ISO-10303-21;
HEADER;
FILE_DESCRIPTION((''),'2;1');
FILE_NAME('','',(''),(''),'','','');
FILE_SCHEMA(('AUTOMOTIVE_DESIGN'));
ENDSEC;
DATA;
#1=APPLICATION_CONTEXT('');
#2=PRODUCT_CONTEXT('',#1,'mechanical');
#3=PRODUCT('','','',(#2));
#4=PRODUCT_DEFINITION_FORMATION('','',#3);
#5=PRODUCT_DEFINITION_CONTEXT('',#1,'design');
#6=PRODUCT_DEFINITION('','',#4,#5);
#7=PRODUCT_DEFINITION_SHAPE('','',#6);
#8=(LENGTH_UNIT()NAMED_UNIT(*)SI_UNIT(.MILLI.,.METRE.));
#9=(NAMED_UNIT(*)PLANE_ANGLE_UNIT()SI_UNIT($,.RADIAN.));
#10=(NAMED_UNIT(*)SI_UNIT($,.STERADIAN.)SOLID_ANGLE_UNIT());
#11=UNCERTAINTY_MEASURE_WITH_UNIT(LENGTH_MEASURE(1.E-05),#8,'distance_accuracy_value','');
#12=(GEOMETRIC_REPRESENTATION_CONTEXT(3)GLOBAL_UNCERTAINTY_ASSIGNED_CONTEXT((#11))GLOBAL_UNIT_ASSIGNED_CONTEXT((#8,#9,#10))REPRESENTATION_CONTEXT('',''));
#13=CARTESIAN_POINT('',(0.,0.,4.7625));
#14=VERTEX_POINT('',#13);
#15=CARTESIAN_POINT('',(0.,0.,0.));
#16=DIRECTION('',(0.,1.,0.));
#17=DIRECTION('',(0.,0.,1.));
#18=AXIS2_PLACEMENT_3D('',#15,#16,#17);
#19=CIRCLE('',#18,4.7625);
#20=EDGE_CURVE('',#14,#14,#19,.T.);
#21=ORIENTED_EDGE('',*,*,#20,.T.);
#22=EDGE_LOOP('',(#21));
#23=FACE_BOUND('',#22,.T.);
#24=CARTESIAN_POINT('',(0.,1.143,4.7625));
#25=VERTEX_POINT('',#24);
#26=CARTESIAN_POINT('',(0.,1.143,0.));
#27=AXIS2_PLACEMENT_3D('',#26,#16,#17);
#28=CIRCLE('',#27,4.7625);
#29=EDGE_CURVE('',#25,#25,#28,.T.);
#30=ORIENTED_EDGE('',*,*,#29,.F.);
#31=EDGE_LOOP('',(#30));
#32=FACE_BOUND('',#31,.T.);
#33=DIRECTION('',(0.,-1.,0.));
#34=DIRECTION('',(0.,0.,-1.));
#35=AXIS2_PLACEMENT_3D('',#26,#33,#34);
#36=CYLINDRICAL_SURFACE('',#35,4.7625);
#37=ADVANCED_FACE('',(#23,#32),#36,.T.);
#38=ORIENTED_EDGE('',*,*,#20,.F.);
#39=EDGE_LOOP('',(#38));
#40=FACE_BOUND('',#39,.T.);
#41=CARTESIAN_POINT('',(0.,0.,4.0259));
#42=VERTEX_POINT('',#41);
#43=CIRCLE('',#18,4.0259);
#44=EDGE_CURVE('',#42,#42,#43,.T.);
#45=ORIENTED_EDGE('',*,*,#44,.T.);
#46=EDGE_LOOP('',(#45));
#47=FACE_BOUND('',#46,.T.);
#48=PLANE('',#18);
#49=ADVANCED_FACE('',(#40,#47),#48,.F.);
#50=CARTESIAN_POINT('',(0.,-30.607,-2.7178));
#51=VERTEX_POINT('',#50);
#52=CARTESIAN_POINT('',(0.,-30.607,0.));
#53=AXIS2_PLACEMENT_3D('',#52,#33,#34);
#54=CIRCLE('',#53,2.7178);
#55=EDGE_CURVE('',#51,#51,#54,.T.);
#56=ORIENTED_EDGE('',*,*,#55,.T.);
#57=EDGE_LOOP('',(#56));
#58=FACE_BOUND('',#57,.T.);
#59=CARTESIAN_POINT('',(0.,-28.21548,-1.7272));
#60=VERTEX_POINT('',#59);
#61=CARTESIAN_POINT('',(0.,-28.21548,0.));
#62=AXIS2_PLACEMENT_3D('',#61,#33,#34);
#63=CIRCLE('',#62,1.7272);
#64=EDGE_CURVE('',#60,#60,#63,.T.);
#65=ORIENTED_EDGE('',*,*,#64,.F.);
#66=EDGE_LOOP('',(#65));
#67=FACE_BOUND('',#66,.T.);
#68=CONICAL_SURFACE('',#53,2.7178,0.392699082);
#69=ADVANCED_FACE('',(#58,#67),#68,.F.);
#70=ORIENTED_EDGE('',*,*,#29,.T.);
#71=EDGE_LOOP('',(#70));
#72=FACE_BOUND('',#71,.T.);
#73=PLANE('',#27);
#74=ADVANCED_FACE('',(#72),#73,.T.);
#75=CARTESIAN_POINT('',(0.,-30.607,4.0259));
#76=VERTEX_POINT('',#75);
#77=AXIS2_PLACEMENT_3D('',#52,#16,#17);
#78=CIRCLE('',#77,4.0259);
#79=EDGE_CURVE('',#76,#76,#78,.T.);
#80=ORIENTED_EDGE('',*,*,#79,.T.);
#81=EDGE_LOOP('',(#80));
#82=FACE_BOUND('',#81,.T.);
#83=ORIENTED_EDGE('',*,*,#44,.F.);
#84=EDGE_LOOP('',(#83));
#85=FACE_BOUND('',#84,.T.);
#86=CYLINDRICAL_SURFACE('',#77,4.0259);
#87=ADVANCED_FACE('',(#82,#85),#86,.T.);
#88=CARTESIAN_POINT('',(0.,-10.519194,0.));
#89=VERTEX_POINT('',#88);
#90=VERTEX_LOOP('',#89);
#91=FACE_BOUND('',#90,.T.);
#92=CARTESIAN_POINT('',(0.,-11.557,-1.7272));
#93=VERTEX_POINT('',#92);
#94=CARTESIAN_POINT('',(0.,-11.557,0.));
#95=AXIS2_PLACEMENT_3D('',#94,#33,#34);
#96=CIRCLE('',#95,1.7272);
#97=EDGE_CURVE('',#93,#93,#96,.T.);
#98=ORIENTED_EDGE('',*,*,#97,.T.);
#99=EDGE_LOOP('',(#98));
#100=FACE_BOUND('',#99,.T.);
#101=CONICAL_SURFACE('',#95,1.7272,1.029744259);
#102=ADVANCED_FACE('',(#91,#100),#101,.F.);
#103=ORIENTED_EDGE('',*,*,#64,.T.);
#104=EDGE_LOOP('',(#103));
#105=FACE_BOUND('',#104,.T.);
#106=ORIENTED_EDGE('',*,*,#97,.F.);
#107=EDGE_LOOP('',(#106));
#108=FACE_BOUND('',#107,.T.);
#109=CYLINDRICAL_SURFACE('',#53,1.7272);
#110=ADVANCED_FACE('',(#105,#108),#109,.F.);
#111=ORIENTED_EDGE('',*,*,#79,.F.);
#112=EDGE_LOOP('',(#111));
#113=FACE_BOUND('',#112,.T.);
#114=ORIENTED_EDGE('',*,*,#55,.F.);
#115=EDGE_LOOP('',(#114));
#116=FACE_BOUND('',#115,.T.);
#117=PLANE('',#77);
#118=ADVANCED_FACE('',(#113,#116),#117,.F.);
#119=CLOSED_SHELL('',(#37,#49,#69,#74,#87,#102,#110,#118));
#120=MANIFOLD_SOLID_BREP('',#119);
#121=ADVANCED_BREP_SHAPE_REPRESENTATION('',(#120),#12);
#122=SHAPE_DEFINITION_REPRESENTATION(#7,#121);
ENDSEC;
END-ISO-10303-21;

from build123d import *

# Parameters (mm, degrees)
SKETCH1_R                       = 4.7625
BOSS_EXTRUDE1_DEPTH             = 1.143
BOSS_EXTRUDE2_START             = -1.143
SKETCH2_R                       = 4.0259
BOSS_EXTRUDE2_DEPTH             = 31.75
F_8_32_TAPPED_HOLE1_D           = 3.4544
F_8_32_TAPPED_HOLE1_DEPTH       = 19.05
F_8_32_TAPPED_HOLE1_CSINK_D     = 5.4356
F_8_32_TAPPED_HOLE1_CSINK_ANGLE = 45
F_8_32_TAPPED_HOLE1_TIP         = 1.037806461


with BuildPart() as part:
    # Sketch1 → Boss-Extrude1 (new body)
    with BuildSketch(Plane(origin=(0, 0, 0), x_dir=(1, 0, 0), z_dir=(0, 1, 0))):
        Circle(SKETCH1_R)
    extrude(amount=BOSS_EXTRUDE1_DEPTH)

    # Sketch2 → Boss-Extrude2 (add)
    with BuildSketch(Plane.XZ.offset(BOSS_EXTRUDE2_START)):
        Circle(SKETCH2_R)
    extrude(amount=BOSS_EXTRUDE2_DEPTH)

    # #8-32 Tapped Hole1
    with Locations(Plane(origin=(0, -30.607, 0), x_dir=(-1, 0, 0), z_dir=(0, -1, 0))):
        with Locations((0, 0)):
            CounterSinkHole(F_8_32_TAPPED_HOLE1_D / 2, F_8_32_TAPPED_HOLE1_CSINK_D / 2, depth=F_8_32_TAPPED_HOLE1_DEPTH, counter_sink_angle=F_8_32_TAPPED_HOLE1_CSINK_ANGLE)
            with Locations((0, 0, -(F_8_32_TAPPED_HOLE1_DEPTH + F_8_32_TAPPED_HOLE1_TIP / 2))):  # 118° drill point
                Cone(0, F_8_32_TAPPED_HOLE1_D / 2, F_8_32_TAPPED_HOLE1_TIP, mode=Mode.SUBTRACT)


solid = part.part
